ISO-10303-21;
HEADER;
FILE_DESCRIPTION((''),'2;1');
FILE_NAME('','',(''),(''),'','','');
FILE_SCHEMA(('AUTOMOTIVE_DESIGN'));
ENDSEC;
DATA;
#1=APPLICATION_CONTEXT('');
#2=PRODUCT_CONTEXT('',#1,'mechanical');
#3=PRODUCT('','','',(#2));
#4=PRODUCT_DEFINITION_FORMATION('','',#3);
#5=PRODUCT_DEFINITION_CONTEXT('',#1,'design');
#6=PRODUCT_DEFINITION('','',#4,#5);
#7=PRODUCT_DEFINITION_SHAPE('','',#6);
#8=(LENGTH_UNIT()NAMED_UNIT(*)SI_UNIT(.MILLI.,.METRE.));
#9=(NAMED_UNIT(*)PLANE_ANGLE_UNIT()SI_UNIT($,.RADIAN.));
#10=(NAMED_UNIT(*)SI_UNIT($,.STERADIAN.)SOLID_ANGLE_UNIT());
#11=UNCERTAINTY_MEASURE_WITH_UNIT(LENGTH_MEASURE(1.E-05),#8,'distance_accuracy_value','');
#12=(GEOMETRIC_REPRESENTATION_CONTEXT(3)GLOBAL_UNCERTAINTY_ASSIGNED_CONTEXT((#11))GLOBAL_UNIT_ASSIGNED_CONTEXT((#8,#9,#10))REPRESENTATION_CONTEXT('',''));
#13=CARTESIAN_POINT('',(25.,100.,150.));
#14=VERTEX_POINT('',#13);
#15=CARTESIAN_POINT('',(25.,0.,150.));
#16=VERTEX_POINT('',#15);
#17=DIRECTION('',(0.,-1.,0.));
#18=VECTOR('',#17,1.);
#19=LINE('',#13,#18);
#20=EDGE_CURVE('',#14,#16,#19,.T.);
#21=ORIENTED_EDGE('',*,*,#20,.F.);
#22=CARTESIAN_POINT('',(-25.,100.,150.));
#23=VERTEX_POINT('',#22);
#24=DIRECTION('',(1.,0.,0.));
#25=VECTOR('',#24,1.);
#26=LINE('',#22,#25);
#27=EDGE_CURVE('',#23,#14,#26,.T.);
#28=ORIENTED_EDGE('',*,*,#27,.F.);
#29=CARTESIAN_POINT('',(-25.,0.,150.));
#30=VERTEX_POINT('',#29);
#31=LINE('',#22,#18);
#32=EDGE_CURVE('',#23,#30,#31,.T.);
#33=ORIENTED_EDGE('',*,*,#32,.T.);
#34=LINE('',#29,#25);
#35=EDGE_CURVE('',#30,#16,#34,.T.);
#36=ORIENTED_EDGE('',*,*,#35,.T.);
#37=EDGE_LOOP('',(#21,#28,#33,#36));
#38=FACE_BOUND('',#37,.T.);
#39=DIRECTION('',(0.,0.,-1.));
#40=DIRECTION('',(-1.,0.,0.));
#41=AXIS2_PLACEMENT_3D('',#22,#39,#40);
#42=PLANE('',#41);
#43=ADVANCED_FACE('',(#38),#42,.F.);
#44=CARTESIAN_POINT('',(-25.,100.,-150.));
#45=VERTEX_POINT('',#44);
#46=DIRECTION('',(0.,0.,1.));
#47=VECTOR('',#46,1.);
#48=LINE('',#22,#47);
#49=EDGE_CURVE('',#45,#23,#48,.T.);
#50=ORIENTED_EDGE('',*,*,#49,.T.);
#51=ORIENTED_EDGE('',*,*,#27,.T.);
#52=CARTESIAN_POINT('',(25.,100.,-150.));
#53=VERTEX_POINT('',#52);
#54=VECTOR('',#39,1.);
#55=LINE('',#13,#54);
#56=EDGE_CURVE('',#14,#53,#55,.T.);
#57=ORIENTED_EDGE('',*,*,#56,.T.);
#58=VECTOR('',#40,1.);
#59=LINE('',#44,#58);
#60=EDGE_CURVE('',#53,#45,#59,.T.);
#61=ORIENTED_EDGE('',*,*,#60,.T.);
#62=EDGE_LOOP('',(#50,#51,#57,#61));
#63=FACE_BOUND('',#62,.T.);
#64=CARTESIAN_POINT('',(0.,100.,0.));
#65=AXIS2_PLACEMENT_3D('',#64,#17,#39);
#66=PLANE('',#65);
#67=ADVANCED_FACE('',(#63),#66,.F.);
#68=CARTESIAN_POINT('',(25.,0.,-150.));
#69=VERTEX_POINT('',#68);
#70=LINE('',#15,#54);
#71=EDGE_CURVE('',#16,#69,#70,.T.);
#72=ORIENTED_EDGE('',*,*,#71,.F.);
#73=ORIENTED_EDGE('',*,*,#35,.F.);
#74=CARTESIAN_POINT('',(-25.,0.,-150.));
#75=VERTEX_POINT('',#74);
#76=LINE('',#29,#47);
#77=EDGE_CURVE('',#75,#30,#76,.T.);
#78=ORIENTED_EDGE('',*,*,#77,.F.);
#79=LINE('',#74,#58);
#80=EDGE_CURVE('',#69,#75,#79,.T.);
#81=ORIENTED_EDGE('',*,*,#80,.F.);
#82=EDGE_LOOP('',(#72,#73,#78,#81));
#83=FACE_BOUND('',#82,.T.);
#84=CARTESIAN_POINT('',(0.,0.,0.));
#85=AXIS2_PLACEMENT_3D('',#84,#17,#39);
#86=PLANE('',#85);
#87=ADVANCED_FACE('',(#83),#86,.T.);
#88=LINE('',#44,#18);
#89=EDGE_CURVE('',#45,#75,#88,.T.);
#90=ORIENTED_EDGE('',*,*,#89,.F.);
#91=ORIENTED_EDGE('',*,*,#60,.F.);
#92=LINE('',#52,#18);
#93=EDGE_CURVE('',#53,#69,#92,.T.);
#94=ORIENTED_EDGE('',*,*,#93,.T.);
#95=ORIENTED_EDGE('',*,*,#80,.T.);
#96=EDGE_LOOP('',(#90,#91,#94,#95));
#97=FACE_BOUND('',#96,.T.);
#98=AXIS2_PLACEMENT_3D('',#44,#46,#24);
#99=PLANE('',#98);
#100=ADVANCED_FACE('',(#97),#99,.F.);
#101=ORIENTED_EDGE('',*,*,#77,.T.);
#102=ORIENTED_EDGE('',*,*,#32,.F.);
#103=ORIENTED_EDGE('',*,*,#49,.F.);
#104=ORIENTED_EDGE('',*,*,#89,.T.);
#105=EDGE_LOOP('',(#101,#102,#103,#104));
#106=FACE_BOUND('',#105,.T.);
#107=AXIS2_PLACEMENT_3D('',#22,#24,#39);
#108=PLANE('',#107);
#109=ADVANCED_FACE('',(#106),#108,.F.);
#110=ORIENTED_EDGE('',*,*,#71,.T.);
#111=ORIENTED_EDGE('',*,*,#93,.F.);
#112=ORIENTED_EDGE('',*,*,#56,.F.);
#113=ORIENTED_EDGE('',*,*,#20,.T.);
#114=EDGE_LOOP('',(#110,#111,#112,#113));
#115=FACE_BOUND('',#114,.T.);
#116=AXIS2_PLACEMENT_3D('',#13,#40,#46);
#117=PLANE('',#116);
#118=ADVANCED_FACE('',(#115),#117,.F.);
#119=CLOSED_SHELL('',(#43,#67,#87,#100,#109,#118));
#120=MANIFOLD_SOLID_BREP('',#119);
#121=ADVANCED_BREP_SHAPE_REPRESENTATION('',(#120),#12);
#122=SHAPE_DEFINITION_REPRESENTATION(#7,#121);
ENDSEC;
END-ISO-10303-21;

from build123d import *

# Parameters (mm, degrees)
SKETCH_1_W      = 50
SKETCH_1_H      = 300
EXTRUDE_1_DEPTH = 100


with BuildPart() as part:
    # 草图1 → 凸台-拉伸1 (new body)
    with BuildSketch(Plane(origin=(0, 0, 0), x_dir=(1, 0, 0), z_dir=(0, 1, 0))):
        Rectangle(SKETCH_1_W, SKETCH_1_H)
    extrude(amount=EXTRUDE_1_DEPTH)


solid = part.part
